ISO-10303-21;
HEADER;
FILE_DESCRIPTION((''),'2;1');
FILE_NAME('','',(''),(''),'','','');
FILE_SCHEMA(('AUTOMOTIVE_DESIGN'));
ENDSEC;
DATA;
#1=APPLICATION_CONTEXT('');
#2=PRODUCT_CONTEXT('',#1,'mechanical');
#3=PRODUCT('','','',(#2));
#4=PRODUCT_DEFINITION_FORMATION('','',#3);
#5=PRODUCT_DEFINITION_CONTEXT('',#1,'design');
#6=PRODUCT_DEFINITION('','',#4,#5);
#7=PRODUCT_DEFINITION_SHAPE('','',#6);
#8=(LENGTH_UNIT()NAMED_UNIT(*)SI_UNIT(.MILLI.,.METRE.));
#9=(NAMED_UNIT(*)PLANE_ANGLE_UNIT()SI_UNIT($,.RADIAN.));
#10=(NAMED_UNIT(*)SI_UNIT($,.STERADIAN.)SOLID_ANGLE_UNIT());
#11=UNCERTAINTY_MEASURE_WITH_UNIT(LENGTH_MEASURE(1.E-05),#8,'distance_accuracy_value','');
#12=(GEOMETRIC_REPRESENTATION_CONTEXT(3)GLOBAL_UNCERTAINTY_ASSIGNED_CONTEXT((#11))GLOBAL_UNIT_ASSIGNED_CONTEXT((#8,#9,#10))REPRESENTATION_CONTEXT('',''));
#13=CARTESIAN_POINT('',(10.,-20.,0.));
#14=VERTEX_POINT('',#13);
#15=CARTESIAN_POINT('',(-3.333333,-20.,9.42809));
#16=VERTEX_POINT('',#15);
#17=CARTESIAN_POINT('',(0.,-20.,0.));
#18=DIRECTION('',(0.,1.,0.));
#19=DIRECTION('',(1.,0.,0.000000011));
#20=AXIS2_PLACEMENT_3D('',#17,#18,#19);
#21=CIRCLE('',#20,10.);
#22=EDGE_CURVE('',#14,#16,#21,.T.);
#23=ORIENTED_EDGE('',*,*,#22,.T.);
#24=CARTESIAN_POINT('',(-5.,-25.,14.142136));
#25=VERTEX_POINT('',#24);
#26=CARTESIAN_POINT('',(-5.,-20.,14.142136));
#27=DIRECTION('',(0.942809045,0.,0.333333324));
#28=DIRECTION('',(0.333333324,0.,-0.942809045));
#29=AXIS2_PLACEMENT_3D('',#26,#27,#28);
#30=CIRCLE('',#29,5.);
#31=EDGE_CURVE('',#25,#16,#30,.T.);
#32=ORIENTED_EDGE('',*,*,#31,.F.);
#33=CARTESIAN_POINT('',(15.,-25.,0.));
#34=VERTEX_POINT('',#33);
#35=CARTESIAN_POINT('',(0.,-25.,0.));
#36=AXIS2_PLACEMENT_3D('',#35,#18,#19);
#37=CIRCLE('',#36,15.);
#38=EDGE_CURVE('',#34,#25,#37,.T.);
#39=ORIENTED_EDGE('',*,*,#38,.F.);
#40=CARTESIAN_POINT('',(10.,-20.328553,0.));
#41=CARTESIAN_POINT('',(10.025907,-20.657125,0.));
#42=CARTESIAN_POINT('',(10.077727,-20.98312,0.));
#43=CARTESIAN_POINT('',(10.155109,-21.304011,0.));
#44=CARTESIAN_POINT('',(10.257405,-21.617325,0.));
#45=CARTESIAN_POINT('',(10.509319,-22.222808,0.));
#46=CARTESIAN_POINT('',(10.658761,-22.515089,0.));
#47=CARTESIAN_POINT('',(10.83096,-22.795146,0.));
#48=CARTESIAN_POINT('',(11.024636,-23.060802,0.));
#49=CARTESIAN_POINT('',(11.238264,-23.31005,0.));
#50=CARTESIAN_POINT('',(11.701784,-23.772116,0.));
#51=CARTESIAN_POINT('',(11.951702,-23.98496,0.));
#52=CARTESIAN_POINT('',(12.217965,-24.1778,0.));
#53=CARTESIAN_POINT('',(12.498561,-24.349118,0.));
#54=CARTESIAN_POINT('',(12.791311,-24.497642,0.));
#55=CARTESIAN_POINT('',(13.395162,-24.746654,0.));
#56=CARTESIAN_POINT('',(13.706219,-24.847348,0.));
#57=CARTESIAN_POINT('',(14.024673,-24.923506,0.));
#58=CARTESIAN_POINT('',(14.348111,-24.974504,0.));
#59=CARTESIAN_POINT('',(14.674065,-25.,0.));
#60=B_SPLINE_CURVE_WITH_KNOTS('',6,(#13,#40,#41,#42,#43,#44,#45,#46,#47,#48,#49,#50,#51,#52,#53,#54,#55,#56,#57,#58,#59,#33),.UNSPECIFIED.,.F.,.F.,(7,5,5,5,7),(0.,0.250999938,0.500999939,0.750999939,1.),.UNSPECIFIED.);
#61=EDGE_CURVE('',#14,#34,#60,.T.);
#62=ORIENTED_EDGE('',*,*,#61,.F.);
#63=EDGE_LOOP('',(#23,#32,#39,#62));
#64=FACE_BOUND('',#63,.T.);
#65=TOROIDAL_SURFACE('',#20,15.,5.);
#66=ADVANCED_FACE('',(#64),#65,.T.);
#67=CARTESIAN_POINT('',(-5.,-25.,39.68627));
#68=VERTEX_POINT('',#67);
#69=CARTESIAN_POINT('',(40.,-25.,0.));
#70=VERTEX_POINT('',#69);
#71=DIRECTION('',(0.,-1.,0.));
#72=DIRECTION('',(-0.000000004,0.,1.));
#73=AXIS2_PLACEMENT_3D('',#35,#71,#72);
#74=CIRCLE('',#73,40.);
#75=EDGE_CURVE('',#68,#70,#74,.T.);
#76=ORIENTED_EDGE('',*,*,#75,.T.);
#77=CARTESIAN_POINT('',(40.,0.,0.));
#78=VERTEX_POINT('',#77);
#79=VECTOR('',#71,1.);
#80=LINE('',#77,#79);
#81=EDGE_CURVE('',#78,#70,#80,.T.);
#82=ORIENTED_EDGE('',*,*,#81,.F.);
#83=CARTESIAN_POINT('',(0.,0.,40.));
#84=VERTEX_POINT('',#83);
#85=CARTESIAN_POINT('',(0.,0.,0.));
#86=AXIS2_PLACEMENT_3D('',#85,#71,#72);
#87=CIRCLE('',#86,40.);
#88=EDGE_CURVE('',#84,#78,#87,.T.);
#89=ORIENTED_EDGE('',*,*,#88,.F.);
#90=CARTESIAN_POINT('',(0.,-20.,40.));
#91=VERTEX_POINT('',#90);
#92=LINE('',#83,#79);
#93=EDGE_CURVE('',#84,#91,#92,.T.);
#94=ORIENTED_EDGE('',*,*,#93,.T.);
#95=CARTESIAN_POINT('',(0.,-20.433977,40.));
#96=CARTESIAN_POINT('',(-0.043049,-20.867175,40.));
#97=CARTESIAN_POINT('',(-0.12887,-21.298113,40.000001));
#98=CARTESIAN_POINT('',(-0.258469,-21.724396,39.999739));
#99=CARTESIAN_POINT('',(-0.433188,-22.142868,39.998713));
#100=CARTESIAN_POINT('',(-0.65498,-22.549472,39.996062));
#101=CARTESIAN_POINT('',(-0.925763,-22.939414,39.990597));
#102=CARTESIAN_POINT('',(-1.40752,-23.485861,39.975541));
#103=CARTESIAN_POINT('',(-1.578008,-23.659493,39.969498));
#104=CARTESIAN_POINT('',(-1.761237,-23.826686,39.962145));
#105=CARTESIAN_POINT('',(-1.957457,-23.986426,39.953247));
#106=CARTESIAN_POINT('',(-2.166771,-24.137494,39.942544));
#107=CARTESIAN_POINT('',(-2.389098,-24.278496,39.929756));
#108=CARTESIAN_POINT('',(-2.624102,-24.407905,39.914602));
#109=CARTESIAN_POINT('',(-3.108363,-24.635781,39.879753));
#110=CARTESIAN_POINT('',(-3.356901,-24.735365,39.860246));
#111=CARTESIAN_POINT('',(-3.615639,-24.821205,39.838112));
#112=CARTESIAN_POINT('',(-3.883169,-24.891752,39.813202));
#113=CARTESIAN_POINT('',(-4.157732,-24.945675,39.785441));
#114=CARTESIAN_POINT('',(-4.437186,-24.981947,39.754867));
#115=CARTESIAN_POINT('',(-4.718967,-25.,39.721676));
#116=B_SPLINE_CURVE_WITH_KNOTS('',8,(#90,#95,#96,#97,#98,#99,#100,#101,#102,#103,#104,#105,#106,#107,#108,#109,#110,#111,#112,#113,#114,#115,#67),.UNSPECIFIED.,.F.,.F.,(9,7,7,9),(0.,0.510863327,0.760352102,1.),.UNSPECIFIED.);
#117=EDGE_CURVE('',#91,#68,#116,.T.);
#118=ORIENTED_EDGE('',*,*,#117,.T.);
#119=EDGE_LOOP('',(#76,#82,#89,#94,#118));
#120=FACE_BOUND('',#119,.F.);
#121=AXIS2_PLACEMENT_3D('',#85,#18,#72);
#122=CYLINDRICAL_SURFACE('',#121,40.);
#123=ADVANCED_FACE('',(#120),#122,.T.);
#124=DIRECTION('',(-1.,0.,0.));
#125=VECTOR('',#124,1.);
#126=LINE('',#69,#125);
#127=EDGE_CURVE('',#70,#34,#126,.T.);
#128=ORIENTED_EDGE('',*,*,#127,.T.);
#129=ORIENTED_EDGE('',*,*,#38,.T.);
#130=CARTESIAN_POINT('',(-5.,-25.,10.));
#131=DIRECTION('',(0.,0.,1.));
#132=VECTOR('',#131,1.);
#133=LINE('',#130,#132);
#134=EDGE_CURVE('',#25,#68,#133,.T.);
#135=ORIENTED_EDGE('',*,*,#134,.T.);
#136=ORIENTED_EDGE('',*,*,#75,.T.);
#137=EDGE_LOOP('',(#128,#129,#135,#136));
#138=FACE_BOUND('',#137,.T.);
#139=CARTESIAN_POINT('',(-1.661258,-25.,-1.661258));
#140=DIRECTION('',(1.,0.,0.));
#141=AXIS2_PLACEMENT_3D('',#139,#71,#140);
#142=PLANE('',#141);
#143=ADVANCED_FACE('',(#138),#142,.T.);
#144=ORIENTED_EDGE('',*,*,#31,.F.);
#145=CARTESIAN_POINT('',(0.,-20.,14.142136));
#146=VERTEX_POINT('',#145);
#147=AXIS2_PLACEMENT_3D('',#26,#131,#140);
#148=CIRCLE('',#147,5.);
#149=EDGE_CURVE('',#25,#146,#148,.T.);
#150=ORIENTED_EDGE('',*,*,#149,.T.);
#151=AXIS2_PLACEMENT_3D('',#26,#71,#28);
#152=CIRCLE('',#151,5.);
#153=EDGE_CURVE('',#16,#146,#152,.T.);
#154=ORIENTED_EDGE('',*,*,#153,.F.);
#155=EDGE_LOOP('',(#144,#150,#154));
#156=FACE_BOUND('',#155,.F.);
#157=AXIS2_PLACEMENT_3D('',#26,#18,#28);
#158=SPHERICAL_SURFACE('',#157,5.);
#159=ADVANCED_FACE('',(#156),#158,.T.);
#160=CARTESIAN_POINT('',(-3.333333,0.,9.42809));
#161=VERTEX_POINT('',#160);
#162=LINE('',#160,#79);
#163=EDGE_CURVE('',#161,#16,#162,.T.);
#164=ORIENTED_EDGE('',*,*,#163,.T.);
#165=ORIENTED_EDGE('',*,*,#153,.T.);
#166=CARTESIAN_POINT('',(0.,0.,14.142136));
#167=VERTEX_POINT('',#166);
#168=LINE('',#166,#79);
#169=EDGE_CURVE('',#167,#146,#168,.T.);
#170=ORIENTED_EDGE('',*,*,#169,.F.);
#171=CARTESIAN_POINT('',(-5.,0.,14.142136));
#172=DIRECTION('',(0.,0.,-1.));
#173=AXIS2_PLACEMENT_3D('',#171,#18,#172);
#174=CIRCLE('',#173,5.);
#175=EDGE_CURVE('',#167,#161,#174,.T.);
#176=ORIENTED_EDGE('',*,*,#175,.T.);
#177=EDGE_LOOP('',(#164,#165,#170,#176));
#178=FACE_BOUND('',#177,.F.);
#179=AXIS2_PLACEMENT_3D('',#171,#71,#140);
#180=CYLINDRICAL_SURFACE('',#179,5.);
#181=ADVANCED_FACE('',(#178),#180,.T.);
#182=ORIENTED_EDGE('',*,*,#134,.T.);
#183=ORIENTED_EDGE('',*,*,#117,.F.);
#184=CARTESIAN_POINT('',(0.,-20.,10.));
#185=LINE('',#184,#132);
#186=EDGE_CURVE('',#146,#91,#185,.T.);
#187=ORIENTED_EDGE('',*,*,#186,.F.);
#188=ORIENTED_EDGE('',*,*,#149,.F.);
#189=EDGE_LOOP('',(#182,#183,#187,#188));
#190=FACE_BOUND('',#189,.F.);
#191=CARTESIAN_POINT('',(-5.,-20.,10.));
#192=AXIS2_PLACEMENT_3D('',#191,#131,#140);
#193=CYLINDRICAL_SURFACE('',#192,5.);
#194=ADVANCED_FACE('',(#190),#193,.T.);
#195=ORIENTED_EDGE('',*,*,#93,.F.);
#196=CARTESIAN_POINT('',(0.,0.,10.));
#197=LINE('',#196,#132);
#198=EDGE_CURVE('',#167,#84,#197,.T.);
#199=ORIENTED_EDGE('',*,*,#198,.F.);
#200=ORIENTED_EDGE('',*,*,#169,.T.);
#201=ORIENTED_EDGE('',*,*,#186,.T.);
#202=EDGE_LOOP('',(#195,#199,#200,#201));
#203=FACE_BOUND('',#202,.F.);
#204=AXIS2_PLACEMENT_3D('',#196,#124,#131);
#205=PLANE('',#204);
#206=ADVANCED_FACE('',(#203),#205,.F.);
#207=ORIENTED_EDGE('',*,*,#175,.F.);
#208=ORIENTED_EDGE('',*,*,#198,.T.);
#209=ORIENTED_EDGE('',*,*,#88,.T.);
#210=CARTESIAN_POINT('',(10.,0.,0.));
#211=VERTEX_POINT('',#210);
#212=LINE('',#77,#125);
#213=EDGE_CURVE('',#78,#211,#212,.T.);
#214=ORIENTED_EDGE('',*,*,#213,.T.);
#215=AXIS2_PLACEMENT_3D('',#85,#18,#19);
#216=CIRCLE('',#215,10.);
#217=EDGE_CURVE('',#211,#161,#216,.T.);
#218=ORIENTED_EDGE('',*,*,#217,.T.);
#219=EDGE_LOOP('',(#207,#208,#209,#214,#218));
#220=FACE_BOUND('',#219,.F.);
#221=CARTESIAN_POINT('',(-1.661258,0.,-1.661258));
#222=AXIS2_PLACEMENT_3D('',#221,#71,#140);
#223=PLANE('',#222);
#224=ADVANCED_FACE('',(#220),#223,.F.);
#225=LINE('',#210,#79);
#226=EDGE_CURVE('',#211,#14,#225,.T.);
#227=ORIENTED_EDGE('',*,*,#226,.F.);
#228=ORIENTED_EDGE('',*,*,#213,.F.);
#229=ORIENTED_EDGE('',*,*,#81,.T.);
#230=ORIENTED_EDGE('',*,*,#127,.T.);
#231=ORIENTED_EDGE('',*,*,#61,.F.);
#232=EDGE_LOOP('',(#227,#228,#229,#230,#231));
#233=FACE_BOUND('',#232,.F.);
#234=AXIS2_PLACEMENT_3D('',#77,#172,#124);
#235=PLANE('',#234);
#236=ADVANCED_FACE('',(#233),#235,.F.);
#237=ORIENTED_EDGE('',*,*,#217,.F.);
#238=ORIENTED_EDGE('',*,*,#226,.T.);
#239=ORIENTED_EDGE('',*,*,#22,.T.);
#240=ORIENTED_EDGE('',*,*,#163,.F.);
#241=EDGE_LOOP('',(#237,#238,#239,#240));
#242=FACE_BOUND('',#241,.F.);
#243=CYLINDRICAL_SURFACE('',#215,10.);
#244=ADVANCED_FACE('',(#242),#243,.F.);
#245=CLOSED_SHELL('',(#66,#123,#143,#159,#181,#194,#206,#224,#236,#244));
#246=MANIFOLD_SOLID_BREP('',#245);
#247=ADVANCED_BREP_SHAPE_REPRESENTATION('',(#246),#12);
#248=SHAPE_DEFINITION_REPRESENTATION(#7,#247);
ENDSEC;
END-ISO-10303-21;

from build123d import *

# Parameters (mm, degrees)
F1_DEPTH = 25
F2_R     = 5


with BuildPart() as f1:
    # F0 (on Front) → F1 (new body)
    with BuildSketch(Plane.XZ):
        with BuildLine():
            Line((0, 10), (0, 40))
            ThreePointArc((0, 40), (-28.284271, -28.284271), (40, 0))
            Line((40, 0), (10, 0))
            ThreePointArc((10, 0), (-7.071068, -7.071068), (0, 10))
        make_face()
    extrude(amount=F1_DEPTH)

    # F2
    f2_edges = [f1.edges().sort_by_distance(p)[0] for p in [
        (-7.071068, -25, -7.071068),
        (0, -25, 25),
        (0, -12.5, 10),
    ]]
    fillet(f2_edges, radius=F2_R)


solid = f1.part
